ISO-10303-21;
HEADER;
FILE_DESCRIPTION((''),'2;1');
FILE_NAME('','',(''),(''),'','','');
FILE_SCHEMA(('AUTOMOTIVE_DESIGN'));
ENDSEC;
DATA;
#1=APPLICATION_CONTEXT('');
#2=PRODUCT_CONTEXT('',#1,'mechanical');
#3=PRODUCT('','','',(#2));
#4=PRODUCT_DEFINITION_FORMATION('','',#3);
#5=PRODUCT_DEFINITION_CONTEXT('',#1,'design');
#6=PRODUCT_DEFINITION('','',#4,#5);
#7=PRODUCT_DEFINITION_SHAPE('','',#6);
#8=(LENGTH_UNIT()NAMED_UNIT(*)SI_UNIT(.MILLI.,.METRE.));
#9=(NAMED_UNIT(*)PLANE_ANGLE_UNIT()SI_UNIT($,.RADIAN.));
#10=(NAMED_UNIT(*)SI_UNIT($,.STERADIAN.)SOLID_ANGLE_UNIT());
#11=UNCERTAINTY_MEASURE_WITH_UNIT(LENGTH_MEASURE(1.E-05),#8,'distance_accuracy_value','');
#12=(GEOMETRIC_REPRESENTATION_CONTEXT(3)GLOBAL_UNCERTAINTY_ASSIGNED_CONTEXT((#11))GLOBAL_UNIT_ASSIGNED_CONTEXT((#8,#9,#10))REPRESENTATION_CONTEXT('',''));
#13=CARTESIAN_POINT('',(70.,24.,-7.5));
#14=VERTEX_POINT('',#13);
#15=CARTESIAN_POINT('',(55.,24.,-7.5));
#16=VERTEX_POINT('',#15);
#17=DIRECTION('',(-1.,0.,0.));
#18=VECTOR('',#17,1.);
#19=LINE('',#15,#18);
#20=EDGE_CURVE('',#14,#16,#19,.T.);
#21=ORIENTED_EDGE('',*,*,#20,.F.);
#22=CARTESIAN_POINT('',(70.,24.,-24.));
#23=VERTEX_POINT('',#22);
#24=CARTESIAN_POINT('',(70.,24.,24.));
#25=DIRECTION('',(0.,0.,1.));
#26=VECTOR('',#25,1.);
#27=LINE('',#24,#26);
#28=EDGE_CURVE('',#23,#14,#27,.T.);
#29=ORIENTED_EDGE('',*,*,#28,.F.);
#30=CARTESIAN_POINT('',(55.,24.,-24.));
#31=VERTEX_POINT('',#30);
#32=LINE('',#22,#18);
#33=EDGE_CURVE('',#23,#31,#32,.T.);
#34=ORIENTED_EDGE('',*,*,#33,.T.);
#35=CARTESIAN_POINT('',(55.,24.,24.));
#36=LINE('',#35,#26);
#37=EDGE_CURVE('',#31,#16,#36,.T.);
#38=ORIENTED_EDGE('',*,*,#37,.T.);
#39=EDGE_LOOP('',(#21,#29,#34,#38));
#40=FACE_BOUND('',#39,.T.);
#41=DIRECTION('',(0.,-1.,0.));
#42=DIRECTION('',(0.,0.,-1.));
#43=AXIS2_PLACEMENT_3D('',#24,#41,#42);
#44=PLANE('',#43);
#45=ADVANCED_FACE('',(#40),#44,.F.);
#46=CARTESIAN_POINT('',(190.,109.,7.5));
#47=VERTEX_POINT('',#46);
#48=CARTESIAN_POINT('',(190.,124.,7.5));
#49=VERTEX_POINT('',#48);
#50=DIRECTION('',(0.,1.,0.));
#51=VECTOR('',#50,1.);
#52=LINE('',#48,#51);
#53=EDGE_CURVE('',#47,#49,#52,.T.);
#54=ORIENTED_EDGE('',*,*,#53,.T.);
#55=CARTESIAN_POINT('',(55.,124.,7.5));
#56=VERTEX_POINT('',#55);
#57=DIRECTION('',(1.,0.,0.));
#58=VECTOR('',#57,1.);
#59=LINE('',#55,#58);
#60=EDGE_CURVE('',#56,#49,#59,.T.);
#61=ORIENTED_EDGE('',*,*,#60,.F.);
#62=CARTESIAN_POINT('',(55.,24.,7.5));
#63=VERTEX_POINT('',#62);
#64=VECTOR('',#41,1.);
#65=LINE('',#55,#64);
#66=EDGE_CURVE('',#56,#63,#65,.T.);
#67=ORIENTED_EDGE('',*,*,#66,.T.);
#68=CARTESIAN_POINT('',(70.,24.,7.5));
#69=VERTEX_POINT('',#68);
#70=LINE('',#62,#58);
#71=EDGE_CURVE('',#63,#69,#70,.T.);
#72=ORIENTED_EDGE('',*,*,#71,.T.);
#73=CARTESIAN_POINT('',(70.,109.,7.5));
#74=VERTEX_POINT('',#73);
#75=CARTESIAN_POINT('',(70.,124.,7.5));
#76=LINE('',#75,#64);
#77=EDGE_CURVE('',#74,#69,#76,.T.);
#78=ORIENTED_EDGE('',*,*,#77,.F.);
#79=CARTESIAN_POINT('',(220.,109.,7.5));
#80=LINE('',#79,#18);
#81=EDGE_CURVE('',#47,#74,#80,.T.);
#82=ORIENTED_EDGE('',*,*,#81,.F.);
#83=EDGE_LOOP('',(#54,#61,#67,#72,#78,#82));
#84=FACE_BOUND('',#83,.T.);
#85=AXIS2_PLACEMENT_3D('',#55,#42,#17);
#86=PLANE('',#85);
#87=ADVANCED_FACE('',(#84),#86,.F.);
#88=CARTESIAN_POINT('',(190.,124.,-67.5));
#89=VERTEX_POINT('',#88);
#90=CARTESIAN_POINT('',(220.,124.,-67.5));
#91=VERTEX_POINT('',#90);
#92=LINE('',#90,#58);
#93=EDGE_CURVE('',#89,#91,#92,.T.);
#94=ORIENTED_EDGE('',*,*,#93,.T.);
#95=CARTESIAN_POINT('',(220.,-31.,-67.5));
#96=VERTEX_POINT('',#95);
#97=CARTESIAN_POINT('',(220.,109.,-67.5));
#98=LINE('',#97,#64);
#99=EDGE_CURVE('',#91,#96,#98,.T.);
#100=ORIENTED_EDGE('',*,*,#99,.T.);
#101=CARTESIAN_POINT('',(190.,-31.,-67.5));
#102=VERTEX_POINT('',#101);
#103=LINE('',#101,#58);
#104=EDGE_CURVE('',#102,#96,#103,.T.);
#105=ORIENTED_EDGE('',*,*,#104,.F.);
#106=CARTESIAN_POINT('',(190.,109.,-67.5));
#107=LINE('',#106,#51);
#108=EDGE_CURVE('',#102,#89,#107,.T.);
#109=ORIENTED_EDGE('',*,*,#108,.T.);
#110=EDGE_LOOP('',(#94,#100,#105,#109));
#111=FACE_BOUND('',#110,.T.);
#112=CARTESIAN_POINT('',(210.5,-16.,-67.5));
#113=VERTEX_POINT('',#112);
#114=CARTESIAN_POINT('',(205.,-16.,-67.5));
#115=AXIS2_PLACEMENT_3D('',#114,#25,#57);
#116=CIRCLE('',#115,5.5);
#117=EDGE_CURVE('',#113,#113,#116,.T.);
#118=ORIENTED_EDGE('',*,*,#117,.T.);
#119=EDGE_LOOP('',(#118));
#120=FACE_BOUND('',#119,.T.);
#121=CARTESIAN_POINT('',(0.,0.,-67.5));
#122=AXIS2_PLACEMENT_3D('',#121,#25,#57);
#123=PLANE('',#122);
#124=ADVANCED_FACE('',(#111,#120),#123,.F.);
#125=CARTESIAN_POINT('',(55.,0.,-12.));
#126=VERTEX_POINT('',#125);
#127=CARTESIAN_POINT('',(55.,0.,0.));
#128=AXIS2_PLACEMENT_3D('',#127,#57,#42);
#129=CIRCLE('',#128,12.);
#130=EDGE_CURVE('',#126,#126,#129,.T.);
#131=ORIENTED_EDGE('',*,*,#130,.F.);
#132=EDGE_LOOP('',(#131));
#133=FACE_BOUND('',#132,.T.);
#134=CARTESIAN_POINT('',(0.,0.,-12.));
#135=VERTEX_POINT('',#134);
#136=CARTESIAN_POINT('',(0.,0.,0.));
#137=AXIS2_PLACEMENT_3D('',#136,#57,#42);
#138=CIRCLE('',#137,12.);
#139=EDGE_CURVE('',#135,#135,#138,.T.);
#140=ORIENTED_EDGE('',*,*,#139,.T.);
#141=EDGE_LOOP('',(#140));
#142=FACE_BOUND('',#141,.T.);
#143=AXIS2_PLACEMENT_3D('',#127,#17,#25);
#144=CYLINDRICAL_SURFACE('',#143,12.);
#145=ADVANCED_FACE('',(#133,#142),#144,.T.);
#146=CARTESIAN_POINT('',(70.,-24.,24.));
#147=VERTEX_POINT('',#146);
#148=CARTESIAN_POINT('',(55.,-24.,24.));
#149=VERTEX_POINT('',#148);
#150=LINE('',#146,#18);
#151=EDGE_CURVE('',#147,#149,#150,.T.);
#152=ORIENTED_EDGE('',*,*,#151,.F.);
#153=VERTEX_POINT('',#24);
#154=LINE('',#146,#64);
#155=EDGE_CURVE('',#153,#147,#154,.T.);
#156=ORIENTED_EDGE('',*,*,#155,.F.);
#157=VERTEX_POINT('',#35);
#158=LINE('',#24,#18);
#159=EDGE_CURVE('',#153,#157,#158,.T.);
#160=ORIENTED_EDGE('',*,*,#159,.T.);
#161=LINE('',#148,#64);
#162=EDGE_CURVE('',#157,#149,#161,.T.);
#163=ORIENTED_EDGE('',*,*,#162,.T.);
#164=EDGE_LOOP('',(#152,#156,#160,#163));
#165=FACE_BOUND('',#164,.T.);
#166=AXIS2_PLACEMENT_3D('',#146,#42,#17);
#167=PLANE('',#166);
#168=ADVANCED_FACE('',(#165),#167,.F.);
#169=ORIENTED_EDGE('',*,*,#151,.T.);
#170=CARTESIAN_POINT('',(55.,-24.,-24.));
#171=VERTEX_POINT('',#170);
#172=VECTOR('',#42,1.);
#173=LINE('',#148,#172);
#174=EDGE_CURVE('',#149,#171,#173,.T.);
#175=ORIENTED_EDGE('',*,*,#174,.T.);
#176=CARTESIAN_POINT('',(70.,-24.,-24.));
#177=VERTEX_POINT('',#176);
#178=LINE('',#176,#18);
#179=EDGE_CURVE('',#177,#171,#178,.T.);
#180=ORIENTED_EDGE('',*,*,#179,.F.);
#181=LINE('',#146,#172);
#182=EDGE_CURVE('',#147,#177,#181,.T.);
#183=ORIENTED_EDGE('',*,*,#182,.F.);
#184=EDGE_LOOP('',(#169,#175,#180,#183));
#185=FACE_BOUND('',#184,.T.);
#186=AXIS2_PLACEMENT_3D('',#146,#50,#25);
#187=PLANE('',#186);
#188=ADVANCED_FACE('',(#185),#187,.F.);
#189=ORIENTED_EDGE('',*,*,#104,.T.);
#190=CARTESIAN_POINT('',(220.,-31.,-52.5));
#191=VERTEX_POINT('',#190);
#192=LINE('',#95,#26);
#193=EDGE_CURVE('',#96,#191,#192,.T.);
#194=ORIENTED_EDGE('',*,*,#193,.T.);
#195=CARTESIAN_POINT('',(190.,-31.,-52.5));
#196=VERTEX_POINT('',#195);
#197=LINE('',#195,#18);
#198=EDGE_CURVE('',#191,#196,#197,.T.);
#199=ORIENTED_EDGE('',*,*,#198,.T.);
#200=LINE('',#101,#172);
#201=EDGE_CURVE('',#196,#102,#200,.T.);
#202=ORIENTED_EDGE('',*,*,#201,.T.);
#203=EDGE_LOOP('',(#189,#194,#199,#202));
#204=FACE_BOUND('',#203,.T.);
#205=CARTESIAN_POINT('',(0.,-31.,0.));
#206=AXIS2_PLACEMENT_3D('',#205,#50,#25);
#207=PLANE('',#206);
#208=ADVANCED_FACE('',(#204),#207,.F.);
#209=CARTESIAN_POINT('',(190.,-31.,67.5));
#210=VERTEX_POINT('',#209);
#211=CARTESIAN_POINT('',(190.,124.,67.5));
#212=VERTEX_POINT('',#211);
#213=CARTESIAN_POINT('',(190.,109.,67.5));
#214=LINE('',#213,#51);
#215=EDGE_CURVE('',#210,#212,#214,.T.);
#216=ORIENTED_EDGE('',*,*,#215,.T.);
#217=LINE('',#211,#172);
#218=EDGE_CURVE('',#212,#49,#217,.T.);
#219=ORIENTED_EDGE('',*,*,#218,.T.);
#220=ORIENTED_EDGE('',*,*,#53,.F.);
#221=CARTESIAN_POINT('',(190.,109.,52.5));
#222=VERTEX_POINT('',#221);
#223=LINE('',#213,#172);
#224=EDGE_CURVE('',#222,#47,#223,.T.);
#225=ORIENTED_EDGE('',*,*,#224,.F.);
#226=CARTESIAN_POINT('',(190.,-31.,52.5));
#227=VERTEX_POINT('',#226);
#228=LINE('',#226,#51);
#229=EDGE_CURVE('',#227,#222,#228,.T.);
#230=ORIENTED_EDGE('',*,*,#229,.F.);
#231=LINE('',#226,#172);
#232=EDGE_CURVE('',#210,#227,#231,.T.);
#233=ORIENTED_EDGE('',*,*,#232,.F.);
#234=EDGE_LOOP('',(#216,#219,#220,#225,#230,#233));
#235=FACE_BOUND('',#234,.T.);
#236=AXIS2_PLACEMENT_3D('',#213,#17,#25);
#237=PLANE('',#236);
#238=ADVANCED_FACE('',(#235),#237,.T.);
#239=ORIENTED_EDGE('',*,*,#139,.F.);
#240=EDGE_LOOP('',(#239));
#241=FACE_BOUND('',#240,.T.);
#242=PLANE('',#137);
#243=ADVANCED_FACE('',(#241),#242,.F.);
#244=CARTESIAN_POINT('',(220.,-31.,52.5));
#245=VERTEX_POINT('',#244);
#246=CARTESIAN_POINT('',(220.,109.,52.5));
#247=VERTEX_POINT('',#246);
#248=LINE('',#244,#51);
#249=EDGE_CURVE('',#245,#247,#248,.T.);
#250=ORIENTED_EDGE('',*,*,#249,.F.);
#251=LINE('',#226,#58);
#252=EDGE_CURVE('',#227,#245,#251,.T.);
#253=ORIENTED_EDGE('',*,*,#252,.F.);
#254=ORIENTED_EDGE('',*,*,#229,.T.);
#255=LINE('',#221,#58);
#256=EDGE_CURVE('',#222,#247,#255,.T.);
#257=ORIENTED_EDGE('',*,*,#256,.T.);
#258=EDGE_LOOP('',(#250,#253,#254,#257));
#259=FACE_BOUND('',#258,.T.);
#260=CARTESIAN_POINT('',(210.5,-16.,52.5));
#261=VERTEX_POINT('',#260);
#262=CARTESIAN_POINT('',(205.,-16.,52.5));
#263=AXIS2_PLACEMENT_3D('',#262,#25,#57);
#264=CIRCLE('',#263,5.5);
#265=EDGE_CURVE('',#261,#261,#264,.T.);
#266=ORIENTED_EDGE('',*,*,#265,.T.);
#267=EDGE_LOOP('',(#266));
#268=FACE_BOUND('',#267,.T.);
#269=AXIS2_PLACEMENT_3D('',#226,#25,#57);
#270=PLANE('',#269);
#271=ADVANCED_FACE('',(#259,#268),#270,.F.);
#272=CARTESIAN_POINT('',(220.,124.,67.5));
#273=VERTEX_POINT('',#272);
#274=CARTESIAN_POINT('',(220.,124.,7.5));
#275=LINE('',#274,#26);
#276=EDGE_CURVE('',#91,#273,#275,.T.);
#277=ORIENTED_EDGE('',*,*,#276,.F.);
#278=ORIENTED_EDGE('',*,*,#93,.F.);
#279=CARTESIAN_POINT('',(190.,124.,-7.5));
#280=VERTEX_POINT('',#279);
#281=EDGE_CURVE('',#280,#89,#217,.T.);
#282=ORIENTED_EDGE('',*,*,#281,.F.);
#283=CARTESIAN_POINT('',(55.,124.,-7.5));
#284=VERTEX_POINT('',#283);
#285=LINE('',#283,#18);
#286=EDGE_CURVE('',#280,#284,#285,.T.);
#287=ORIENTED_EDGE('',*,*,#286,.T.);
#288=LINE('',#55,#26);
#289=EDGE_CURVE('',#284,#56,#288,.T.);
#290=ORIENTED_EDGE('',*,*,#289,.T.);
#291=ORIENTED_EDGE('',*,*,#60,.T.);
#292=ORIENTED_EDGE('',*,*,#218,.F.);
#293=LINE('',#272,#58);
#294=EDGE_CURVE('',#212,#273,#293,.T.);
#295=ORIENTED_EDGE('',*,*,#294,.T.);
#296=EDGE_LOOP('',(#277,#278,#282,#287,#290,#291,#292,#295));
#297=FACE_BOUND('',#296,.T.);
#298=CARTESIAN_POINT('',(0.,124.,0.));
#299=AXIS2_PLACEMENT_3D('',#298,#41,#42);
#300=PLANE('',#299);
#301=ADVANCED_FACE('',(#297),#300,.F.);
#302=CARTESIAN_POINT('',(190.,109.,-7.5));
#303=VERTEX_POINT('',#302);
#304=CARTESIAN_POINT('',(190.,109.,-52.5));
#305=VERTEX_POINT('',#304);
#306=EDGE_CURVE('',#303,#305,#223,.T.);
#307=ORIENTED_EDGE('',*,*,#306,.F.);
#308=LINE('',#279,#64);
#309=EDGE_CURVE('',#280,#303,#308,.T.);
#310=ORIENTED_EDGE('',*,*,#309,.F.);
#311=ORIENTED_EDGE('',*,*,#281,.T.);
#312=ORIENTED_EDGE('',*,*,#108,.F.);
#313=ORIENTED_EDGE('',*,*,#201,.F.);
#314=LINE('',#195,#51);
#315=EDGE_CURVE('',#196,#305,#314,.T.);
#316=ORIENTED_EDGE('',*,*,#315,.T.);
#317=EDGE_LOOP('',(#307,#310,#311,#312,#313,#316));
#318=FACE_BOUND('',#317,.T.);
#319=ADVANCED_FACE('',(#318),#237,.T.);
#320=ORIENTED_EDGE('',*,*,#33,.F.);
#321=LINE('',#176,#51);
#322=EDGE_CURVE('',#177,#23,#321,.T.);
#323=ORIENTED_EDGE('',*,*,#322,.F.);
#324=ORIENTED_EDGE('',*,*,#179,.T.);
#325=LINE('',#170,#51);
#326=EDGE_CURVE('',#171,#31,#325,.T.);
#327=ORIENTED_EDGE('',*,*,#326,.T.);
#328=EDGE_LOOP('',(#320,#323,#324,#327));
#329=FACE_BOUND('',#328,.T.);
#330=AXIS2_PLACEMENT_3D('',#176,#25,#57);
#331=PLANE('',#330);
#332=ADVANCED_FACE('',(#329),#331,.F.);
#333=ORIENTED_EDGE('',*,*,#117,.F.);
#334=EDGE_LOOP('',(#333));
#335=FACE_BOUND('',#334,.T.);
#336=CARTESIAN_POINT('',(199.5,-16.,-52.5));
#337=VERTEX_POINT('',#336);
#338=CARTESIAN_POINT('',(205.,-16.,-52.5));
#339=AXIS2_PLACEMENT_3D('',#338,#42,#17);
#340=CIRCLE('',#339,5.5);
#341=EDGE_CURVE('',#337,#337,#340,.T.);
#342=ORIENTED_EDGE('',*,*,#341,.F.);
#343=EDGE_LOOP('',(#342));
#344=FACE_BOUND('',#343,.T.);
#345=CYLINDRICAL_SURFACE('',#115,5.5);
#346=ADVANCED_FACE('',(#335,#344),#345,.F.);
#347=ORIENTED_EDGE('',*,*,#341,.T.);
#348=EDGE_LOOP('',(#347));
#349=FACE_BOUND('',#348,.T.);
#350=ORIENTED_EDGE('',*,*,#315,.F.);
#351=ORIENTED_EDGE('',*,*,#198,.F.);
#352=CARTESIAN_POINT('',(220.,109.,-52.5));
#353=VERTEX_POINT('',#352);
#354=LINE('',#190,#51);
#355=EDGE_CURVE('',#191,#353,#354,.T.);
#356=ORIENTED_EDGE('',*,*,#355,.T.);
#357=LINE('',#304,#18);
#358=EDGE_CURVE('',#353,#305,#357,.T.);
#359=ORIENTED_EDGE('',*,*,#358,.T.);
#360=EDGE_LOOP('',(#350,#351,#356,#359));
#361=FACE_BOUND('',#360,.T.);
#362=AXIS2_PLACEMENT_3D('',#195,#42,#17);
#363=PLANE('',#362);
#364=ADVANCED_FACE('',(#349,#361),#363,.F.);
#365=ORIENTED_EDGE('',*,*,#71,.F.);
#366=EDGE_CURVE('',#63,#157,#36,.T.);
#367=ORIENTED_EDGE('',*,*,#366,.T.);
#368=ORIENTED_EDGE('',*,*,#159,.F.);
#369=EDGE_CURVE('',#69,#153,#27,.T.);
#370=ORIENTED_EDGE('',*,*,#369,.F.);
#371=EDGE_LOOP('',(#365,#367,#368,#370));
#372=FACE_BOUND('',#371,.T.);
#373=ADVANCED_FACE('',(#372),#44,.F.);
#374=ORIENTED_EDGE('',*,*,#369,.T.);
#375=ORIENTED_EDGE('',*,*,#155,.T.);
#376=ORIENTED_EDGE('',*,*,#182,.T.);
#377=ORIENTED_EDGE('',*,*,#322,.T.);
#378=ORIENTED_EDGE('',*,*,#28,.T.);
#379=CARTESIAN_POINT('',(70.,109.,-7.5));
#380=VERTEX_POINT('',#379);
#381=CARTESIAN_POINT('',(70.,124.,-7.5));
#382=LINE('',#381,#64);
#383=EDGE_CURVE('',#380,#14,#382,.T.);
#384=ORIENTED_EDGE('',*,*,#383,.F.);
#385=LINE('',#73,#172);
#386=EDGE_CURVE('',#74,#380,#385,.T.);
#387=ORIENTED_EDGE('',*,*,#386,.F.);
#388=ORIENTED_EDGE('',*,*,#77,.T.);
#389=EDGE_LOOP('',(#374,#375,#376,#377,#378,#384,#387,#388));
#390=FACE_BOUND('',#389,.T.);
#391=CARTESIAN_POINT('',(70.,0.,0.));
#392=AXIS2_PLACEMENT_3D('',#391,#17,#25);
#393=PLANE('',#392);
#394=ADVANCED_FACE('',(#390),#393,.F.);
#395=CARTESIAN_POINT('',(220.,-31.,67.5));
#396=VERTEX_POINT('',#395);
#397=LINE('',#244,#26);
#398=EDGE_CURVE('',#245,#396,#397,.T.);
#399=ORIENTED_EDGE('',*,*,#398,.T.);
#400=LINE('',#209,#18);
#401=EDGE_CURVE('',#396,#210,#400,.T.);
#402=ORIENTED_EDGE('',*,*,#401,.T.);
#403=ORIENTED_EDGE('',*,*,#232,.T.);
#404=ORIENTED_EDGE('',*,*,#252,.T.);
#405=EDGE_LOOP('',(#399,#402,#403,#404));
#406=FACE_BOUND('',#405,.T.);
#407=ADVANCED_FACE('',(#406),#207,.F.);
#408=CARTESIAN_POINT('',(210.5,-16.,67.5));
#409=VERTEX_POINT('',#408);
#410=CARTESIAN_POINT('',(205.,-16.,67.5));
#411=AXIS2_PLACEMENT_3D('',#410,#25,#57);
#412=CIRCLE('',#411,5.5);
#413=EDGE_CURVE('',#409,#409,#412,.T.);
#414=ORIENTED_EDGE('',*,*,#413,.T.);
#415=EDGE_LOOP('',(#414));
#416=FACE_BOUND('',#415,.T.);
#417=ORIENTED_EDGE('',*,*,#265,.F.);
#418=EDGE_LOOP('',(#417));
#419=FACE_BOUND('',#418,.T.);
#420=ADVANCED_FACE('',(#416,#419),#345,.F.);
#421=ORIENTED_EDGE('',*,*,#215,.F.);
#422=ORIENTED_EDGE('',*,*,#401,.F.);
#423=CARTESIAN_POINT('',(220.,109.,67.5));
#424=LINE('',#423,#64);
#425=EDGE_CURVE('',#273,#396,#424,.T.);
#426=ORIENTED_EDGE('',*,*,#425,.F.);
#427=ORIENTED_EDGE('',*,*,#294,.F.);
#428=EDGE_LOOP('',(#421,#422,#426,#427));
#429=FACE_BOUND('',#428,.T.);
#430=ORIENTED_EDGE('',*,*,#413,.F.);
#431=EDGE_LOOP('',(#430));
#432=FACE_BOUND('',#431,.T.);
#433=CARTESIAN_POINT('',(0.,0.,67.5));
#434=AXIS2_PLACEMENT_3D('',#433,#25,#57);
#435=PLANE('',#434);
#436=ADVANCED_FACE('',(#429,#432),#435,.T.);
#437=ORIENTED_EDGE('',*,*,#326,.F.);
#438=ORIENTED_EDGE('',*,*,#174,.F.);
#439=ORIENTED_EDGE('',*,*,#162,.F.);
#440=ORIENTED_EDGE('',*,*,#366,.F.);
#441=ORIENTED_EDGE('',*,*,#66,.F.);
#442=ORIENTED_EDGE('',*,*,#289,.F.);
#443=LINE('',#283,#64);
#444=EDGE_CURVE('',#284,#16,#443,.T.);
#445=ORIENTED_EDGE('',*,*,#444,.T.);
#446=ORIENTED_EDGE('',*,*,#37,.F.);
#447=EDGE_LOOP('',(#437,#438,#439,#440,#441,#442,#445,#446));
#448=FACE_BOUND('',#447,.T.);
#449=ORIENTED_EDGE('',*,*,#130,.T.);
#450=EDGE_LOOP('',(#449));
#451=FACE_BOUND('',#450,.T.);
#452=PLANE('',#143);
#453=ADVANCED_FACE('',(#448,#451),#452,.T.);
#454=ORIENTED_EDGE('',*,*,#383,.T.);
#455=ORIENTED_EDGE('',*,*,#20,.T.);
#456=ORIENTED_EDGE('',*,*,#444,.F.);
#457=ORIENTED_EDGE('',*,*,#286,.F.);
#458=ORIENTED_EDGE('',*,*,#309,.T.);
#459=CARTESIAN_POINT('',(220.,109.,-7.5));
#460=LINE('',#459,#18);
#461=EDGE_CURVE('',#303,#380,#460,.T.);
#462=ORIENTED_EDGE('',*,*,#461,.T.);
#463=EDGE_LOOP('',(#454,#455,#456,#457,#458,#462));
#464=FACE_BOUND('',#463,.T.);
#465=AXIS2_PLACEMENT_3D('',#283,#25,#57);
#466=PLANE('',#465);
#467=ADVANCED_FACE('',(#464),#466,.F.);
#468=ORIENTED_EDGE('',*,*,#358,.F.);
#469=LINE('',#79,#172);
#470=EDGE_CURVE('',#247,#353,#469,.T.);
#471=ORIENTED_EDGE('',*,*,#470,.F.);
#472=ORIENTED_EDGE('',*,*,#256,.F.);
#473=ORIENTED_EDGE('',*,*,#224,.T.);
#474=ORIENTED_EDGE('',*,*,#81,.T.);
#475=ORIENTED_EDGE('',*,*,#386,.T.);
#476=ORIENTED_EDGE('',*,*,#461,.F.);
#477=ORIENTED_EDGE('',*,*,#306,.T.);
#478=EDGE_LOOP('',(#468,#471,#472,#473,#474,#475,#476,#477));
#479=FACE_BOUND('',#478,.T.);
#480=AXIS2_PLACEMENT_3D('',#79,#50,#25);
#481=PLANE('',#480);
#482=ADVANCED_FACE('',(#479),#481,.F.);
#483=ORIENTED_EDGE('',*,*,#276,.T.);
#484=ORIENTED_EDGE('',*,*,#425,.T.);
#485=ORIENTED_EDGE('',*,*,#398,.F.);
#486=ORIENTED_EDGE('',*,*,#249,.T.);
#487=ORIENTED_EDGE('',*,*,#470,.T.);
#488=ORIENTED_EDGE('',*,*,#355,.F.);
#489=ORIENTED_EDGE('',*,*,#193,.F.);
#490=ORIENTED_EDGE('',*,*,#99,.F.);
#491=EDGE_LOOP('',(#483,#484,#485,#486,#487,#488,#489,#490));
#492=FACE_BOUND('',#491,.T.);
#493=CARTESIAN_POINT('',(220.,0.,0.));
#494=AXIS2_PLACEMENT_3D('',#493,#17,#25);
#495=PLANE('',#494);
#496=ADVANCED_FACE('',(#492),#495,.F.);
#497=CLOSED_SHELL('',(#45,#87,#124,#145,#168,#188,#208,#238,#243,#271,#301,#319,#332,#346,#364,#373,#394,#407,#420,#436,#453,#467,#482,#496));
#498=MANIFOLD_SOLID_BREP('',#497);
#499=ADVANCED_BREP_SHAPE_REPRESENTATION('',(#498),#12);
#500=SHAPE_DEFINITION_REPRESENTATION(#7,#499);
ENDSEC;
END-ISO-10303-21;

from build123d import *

# Parameters (mm, degrees)
SKETCH1_R                = 12
BOSS_EXTRUDE1_DEPTH      = 55
SKETCH4_W                = 48
SKETCH4_H                = 48
BOSS_EXTRUDE3_DEPTH      = 15
SKETCH5_W                = 15
SKETCH5_H                = 15
BOSS_EXTRUDE4_DEPTH      = 100
SKETCH6_W                = 15
SKETCH6_H                = 15
BOSS_EXTRUDE6_DEPTH      = 150
BOSS_EXTRUDE7_DEPTH      = 60
BOSS_EXTRUDE7_DEPTH_BACK = 75
SKETCH7_W                = 30
SKETCH7_H                = 15
SKETCH8_W                = 30
SKETCH8_H                = 15
BOSS_EXTRUDE8_DEPTH      = 140
SKETCH9_R                = 5.5
CUT_EXTRUDE1_DEPTH       = 287.358167336


with BuildPart() as part:
    # Sketch1 → Boss-Extrude1 (new body)
    with BuildSketch(Plane(origin=(0, 0, 0), x_dir=(0, 0, -1), z_dir=(1, 0, 0))):
        Circle(SKETCH1_R)
    extrude(amount=BOSS_EXTRUDE1_DEPTH)

    # Sketch4 → Boss-Extrude3 (add)
    with BuildSketch(Plane(origin=(55, 0, 0), x_dir=(0, 0, -1), z_dir=(1, 0, 0))):
        Rectangle(SKETCH4_W, SKETCH4_H)
    extrude(amount=BOSS_EXTRUDE3_DEPTH)

    # Sketch5 → Boss-Extrude4 (add)
    with BuildSketch(Plane(origin=(0, 24, 0), x_dir=(1, 0, 0), z_dir=(0, 1, 0))):
        with Locations((62.5, 0)):
            Rectangle(SKETCH5_W, SKETCH5_H)
    extrude(amount=BOSS_EXTRUDE4_DEPTH)

    # Sketch6 → Boss-Extrude6 (add)
    with BuildSketch(Plane(origin=(70, 0, 0), x_dir=(0, 0, -1), z_dir=(1, 0, 0))):
        with Locations((0, 116.5)):
            Rectangle(SKETCH6_W, SKETCH6_H)
    extrude(amount=BOSS_EXTRUDE6_DEPTH)

    # Sketch7 → Boss-Extrude7 (add, two sides: drawn at the far end of the back side and taken through both)
    with BuildSketch(Plane(origin=(0, 0, -7.5), x_dir=(-1, 0, 0), z_dir=(0, 0, -1)).offset(-BOSS_EXTRUDE7_DEPTH_BACK)):
        with Locations((-205, 116.5)):
            Rectangle(SKETCH7_W, SKETCH7_H)
    extrude(amount=BOSS_EXTRUDE7_DEPTH + BOSS_EXTRUDE7_DEPTH_BACK)

    # Sketch8 → Boss-Extrude8 (add)
    with BuildSketch(Plane.XZ.offset(-109)):
        with Locations((205, -60)):
            Rectangle(SKETCH8_W, SKETCH8_H)
        with Locations((205, 60)):
            Rectangle(SKETCH8_W, SKETCH8_H)
    extrude(amount=BOSS_EXTRUDE8_DEPTH)

    # Sketch9 → Cut-Extrude1 (cut, through all)
    with BuildSketch(Plane.XY.offset(67.5)):
        with Locations((205, -16)):
            Circle(SKETCH9_R)
    extrude(amount=-CUT_EXTRUDE1_DEPTH, mode=Mode.SUBTRACT)


solid = part.part
